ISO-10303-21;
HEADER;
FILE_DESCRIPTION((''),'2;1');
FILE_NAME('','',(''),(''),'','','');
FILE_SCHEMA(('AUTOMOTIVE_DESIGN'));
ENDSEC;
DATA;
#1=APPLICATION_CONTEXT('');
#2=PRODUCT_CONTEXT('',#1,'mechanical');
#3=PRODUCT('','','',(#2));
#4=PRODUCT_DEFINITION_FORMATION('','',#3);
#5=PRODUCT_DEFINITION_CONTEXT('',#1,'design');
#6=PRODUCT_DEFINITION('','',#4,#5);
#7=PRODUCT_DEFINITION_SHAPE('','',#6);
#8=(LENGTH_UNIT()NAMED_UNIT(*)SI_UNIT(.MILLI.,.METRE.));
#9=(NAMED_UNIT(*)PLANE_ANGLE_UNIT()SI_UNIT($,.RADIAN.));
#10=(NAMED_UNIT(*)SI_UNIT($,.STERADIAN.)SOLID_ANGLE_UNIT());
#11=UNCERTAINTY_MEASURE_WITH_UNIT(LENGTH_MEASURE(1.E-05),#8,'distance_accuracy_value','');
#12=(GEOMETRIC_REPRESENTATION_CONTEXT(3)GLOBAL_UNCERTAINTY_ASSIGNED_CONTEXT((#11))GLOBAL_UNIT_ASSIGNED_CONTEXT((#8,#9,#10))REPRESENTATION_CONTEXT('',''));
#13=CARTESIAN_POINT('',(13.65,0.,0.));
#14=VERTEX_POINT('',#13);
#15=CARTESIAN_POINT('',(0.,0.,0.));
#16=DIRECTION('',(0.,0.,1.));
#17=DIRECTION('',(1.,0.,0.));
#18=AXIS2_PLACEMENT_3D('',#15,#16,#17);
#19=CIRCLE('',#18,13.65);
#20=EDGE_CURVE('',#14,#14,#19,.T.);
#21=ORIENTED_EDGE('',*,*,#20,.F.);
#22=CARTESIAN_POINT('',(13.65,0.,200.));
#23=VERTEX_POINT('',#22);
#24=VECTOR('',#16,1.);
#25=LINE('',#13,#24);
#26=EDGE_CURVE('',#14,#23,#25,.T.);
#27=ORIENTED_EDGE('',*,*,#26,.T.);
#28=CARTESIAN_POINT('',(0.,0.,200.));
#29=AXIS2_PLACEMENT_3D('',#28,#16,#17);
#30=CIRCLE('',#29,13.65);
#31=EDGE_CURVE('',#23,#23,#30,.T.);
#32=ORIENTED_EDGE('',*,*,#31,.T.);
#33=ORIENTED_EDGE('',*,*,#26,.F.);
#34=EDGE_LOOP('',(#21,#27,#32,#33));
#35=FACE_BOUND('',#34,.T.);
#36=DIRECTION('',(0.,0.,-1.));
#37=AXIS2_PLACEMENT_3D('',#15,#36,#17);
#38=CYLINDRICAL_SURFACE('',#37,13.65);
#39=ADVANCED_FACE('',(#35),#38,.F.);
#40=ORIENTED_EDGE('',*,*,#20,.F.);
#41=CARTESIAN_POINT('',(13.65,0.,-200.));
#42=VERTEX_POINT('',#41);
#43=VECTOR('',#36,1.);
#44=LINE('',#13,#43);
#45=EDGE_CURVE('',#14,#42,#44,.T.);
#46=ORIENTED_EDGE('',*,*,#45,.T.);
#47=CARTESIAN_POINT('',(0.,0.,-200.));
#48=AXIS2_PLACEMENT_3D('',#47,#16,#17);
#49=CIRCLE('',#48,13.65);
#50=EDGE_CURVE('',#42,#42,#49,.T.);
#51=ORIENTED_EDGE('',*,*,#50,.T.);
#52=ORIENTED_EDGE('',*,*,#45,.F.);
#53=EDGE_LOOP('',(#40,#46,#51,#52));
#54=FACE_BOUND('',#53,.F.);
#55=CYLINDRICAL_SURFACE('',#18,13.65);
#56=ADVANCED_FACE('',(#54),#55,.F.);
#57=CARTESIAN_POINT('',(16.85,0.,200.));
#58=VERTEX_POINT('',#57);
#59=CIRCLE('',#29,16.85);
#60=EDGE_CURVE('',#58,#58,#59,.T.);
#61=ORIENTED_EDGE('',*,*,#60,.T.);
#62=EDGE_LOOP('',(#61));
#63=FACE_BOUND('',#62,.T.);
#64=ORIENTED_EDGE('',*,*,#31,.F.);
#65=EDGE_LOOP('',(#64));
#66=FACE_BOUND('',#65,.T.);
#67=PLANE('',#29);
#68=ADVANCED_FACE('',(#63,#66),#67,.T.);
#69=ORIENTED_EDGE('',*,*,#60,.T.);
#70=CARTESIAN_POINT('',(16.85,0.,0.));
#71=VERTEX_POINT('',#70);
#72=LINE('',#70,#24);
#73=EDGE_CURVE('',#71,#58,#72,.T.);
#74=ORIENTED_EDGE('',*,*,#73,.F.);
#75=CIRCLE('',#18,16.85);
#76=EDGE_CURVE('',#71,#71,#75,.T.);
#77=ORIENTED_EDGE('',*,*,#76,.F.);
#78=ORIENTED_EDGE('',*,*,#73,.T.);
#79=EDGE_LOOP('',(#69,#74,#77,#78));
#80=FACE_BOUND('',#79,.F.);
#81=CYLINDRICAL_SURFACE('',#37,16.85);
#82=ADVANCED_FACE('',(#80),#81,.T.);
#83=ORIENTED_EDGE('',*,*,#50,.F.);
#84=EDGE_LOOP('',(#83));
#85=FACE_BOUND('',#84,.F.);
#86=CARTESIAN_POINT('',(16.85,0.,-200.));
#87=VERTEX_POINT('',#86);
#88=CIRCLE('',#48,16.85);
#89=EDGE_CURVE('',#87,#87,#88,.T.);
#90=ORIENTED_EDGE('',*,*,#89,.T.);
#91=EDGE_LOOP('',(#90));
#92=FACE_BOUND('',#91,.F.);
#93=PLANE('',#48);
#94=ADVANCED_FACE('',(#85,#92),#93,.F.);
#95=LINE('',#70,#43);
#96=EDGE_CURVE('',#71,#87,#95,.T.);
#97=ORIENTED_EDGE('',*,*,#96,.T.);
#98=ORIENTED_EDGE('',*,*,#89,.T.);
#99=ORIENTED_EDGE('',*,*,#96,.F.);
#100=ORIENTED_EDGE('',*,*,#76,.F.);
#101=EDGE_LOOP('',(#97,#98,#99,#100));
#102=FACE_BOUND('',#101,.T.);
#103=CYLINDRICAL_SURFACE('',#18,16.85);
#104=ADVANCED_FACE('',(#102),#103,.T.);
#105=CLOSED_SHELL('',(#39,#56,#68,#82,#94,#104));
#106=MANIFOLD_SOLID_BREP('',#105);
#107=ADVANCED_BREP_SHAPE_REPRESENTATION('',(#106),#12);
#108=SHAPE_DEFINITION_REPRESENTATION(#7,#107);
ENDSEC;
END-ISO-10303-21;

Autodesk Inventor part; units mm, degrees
ref_plane "YZ Plane" through (0, 0, 0) normal (1, 0, 0) x (0, 1, 0)
ref_plane "XZ Plane" through (0, 0, 0) normal (0, 1, 0) x (-1, 0, 0)
ref_plane "XY Plane" through (0, 0, 0) normal (0, 0, 1) x (1, 0, 0)
sketch "Sketch1" plane through (0, 0, 0) normal (0, 0, 1) x (1, 0, 0)
  circle A0 centre (0, 0) radius 16.85
  circle A1 centre (0, 0) radius 13.65
  dimension "OD" = 33.7
  dimension "t" = 3.2
extrude "Extrusion1" add sketch "Sketch1" along normal mid plane 400
equation "\"size\" = 6"
properties part number "tube-10"
